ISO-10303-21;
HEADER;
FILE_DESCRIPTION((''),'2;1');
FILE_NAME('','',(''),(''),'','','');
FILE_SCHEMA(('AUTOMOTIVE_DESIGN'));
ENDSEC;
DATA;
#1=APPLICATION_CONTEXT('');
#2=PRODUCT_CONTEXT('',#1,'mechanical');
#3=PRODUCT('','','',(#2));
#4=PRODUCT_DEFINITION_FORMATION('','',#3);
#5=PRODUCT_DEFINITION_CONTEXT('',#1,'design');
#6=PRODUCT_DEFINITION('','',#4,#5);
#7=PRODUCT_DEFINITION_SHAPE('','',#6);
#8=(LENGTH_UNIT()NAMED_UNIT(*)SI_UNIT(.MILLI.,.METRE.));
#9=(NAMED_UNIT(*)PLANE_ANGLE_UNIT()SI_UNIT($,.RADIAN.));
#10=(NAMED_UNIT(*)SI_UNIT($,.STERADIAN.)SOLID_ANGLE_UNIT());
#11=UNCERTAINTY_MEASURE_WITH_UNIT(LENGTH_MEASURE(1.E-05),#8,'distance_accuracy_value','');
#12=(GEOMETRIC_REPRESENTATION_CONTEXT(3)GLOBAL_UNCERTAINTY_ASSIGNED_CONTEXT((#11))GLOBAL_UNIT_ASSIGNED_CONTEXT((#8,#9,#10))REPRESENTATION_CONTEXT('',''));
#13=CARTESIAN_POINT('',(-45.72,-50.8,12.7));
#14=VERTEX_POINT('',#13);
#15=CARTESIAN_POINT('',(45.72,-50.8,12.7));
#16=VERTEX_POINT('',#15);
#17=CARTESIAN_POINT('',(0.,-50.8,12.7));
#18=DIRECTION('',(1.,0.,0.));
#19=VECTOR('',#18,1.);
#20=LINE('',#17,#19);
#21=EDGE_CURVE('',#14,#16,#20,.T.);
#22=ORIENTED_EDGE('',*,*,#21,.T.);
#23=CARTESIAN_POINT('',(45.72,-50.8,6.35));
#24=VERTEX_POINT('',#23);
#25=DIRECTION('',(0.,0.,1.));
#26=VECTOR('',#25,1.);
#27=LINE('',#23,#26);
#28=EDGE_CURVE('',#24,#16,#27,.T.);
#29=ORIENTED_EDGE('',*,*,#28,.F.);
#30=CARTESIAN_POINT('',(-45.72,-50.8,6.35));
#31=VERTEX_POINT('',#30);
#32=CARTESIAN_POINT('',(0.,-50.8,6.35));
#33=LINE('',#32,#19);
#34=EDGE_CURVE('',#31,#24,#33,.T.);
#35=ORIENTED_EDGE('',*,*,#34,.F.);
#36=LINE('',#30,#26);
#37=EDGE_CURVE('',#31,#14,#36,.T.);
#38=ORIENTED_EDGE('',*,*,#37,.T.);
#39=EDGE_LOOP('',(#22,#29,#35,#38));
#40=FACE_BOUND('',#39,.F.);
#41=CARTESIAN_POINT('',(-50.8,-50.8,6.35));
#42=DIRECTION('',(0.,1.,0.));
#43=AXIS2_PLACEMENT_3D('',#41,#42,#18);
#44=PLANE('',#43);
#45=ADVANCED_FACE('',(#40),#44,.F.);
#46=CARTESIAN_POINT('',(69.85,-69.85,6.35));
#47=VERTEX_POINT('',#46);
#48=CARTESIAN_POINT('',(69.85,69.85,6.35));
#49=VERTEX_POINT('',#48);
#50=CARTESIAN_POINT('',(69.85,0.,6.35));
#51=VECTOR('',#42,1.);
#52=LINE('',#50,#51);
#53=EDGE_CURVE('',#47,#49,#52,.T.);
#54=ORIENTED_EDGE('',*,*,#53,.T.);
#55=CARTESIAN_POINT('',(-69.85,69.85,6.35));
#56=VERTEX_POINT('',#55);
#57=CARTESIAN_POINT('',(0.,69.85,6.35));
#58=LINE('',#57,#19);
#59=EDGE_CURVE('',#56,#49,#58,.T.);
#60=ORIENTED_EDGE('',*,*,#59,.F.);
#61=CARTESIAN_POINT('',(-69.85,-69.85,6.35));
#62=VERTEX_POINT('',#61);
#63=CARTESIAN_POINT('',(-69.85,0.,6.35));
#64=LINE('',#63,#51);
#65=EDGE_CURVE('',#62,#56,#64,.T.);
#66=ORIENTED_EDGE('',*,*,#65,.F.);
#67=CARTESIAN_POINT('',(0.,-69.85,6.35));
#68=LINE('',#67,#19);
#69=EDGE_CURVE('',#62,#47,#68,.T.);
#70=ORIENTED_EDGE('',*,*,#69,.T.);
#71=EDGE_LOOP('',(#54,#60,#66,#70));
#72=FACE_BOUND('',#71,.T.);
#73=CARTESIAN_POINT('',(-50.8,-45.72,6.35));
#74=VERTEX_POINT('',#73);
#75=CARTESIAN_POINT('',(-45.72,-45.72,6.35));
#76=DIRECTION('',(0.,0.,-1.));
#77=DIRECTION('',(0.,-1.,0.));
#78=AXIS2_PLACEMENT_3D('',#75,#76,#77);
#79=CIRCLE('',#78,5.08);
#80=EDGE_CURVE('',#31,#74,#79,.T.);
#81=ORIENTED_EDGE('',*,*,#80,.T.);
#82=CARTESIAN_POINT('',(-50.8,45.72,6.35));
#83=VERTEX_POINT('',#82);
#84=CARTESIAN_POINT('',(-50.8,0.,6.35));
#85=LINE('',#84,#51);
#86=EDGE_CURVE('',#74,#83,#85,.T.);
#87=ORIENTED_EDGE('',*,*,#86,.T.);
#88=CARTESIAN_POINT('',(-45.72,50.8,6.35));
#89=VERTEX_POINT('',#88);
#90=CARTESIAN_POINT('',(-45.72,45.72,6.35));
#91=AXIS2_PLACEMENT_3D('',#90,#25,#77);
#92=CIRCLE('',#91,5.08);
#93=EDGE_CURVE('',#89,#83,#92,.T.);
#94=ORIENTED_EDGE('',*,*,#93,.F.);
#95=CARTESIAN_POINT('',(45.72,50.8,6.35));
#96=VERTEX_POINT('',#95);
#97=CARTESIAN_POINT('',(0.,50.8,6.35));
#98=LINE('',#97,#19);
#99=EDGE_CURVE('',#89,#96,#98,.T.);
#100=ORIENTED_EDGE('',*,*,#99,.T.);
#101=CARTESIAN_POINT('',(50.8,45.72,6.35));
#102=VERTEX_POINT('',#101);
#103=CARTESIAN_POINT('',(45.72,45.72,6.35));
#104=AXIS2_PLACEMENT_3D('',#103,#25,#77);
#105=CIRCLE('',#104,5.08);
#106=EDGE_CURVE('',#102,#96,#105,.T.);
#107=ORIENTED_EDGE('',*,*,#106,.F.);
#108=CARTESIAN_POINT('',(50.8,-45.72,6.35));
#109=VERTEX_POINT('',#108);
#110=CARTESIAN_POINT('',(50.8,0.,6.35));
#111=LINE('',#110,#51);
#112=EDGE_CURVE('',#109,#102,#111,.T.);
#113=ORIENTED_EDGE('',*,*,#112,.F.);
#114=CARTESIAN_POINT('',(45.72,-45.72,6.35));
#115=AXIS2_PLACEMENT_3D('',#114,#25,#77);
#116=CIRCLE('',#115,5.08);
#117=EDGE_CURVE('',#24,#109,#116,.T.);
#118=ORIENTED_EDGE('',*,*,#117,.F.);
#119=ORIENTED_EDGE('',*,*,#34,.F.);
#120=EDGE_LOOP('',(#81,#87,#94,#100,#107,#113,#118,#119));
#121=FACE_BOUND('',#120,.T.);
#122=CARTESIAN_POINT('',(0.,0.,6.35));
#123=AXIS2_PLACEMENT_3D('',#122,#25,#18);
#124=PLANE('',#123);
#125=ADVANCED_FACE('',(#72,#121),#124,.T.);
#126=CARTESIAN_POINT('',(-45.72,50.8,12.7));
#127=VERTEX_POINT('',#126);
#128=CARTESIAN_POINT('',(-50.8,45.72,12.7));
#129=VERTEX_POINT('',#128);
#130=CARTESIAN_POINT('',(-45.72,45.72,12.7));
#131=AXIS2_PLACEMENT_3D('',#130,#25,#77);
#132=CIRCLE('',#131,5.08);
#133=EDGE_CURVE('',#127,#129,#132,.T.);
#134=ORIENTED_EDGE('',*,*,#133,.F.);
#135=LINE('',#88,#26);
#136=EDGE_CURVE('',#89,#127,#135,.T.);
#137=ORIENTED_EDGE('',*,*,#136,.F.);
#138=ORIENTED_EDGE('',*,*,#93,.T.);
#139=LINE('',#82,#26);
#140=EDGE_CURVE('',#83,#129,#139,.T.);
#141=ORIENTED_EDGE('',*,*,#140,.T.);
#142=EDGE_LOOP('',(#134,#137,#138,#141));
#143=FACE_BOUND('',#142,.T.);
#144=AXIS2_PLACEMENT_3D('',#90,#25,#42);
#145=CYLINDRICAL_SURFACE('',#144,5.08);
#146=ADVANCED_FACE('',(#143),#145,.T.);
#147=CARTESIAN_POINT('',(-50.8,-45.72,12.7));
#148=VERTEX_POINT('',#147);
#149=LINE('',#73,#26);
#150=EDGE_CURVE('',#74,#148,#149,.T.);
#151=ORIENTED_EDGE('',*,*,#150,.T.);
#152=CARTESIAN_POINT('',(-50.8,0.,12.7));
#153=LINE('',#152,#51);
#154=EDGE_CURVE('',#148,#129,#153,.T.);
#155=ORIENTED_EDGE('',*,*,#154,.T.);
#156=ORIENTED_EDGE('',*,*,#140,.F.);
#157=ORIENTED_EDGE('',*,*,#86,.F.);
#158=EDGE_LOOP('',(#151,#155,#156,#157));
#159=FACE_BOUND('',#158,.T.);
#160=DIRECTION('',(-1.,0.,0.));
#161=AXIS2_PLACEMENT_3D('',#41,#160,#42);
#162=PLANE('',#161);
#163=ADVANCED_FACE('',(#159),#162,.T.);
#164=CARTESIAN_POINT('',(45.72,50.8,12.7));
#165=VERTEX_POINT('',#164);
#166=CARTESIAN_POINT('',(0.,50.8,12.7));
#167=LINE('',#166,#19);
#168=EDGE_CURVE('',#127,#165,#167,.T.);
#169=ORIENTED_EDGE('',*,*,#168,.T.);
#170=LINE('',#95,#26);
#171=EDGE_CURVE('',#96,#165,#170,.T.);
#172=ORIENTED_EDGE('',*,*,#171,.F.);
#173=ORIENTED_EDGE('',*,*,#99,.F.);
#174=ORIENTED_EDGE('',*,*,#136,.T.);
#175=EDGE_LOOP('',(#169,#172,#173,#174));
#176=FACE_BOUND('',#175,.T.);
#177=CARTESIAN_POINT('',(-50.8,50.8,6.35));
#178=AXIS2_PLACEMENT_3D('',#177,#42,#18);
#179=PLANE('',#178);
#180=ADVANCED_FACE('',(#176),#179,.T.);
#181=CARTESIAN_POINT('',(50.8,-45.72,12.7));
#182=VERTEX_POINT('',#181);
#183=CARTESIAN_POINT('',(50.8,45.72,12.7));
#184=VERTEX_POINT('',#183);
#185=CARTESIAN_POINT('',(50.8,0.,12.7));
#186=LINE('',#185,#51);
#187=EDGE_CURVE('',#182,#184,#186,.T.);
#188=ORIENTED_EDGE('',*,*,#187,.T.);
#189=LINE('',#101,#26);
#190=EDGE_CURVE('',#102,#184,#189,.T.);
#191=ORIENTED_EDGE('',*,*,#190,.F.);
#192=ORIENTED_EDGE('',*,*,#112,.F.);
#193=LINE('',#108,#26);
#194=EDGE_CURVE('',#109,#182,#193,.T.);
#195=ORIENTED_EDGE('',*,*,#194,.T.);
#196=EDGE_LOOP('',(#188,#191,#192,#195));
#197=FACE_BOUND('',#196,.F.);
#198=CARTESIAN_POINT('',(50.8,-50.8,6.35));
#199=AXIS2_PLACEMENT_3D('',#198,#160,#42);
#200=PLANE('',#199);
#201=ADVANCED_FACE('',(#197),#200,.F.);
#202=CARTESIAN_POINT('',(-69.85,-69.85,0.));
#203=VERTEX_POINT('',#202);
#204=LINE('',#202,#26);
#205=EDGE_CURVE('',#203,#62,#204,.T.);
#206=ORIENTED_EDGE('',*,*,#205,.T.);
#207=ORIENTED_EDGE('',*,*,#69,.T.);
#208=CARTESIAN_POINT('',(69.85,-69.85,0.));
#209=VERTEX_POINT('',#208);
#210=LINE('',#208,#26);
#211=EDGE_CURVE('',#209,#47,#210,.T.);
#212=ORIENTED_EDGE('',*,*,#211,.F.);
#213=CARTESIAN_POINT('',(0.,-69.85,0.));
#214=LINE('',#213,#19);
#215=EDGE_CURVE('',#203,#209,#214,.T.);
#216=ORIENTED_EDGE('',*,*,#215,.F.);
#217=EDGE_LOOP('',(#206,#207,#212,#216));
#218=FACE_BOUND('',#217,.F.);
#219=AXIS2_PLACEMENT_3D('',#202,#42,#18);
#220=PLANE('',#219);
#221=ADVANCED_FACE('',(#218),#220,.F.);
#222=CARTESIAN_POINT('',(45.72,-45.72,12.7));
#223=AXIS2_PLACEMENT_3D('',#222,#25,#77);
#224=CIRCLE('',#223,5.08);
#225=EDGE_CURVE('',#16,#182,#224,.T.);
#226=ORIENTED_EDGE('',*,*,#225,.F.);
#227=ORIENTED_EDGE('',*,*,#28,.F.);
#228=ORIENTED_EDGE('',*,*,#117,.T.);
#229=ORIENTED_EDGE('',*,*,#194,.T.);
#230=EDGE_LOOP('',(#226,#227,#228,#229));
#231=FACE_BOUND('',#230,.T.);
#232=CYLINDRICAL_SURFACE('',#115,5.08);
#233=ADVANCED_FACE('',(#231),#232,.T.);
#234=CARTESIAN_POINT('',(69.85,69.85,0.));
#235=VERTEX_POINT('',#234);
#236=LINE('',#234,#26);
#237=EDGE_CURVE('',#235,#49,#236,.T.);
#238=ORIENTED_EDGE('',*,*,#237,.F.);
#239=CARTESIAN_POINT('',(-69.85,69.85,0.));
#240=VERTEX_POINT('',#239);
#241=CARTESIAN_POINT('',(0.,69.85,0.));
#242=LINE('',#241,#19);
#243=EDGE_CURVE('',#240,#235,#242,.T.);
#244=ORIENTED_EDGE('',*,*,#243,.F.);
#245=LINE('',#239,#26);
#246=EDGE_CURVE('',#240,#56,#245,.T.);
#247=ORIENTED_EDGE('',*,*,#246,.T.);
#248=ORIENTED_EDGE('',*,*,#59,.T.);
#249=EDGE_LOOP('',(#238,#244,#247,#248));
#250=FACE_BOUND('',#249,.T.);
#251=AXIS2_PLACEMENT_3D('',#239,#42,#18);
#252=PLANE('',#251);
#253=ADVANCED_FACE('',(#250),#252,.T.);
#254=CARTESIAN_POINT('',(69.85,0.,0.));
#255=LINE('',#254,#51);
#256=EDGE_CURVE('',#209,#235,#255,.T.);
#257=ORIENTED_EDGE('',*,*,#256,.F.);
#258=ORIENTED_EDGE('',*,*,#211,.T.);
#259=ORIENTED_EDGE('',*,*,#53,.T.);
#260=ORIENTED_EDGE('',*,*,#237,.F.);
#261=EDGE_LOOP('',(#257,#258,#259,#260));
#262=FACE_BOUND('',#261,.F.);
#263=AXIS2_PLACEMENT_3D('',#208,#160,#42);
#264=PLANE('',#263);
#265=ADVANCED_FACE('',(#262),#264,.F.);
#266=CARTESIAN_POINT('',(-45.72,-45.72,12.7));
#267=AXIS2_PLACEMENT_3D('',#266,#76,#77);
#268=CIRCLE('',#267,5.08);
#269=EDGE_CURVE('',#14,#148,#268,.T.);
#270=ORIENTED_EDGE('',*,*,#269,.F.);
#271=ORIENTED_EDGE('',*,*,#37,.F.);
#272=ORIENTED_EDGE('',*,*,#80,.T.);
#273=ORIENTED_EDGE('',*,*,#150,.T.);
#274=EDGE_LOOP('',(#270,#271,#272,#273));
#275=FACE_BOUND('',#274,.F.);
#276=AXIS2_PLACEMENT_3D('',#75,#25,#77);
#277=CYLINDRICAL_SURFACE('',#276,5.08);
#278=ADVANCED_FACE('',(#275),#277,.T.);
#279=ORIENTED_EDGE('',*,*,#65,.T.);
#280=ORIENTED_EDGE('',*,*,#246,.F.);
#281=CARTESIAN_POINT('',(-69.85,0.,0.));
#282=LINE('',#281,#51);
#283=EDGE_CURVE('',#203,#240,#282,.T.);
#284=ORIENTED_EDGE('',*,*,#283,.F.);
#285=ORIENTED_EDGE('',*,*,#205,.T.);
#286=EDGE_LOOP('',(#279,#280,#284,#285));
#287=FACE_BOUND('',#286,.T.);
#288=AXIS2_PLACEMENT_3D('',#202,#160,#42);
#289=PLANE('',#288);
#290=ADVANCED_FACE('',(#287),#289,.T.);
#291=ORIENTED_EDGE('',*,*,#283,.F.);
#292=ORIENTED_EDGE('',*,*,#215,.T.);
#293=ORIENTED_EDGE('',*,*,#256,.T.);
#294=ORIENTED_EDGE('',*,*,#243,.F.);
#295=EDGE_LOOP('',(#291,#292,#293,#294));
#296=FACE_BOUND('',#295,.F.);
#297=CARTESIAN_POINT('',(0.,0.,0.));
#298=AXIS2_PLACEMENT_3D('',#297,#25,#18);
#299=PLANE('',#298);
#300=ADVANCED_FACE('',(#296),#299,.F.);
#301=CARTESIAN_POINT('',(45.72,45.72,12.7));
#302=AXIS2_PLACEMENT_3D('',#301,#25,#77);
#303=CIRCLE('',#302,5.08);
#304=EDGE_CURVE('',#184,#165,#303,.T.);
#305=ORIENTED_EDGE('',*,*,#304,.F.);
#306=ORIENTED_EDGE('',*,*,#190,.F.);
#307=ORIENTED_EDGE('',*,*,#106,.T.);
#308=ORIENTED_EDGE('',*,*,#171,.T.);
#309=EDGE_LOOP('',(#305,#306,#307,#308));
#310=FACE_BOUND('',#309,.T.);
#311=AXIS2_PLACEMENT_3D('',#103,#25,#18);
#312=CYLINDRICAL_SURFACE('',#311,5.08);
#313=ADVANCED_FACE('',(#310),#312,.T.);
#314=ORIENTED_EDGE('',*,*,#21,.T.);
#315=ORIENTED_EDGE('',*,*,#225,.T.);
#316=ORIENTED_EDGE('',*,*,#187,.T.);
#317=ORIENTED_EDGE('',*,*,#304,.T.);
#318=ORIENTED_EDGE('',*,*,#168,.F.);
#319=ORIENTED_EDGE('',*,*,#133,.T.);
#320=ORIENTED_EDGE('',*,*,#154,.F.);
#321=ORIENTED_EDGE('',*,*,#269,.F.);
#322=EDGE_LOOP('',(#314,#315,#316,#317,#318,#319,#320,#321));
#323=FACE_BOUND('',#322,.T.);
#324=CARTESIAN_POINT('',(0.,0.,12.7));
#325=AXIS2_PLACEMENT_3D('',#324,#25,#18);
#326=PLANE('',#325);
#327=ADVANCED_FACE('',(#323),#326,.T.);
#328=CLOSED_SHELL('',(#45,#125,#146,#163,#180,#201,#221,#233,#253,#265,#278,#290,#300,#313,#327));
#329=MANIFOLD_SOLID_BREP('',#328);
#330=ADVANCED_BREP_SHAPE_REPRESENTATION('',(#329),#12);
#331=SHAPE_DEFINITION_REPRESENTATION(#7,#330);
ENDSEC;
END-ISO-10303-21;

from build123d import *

# Parameters (mm, degrees)
F0_W     = 139.7
F0_H     = 139.7
F1_DEPTH = 6.35
F2_W     = 101.6
F2_H     = 101.6
F3_DEPTH = 6.35
F4_R     = 5.08


with BuildPart() as f1:
    # F0 (on Top) → F1 (new body)
    with BuildSketch(Plane.XY):
        Rectangle(F0_W, F0_H)
    extrude(amount=F1_DEPTH)

    # F2 (on face) → F3 (join)
    with BuildSketch(Plane.XY.offset(6.35)):
        Rectangle(F2_W, F2_H)
    extrude(amount=F3_DEPTH)

    # F4
    f4_edges = [f1.edges().sort_by_distance(p)[0] for p in [
        (50.8, -50.8, 9.525),
        (50.8, 50.8, 9.525),
        (-50.8, -50.8, 9.525),
        (-50.8, 50.8, 9.525),
    ]]
    fillet(f4_edges, radius=F4_R)


solid = f1.part
